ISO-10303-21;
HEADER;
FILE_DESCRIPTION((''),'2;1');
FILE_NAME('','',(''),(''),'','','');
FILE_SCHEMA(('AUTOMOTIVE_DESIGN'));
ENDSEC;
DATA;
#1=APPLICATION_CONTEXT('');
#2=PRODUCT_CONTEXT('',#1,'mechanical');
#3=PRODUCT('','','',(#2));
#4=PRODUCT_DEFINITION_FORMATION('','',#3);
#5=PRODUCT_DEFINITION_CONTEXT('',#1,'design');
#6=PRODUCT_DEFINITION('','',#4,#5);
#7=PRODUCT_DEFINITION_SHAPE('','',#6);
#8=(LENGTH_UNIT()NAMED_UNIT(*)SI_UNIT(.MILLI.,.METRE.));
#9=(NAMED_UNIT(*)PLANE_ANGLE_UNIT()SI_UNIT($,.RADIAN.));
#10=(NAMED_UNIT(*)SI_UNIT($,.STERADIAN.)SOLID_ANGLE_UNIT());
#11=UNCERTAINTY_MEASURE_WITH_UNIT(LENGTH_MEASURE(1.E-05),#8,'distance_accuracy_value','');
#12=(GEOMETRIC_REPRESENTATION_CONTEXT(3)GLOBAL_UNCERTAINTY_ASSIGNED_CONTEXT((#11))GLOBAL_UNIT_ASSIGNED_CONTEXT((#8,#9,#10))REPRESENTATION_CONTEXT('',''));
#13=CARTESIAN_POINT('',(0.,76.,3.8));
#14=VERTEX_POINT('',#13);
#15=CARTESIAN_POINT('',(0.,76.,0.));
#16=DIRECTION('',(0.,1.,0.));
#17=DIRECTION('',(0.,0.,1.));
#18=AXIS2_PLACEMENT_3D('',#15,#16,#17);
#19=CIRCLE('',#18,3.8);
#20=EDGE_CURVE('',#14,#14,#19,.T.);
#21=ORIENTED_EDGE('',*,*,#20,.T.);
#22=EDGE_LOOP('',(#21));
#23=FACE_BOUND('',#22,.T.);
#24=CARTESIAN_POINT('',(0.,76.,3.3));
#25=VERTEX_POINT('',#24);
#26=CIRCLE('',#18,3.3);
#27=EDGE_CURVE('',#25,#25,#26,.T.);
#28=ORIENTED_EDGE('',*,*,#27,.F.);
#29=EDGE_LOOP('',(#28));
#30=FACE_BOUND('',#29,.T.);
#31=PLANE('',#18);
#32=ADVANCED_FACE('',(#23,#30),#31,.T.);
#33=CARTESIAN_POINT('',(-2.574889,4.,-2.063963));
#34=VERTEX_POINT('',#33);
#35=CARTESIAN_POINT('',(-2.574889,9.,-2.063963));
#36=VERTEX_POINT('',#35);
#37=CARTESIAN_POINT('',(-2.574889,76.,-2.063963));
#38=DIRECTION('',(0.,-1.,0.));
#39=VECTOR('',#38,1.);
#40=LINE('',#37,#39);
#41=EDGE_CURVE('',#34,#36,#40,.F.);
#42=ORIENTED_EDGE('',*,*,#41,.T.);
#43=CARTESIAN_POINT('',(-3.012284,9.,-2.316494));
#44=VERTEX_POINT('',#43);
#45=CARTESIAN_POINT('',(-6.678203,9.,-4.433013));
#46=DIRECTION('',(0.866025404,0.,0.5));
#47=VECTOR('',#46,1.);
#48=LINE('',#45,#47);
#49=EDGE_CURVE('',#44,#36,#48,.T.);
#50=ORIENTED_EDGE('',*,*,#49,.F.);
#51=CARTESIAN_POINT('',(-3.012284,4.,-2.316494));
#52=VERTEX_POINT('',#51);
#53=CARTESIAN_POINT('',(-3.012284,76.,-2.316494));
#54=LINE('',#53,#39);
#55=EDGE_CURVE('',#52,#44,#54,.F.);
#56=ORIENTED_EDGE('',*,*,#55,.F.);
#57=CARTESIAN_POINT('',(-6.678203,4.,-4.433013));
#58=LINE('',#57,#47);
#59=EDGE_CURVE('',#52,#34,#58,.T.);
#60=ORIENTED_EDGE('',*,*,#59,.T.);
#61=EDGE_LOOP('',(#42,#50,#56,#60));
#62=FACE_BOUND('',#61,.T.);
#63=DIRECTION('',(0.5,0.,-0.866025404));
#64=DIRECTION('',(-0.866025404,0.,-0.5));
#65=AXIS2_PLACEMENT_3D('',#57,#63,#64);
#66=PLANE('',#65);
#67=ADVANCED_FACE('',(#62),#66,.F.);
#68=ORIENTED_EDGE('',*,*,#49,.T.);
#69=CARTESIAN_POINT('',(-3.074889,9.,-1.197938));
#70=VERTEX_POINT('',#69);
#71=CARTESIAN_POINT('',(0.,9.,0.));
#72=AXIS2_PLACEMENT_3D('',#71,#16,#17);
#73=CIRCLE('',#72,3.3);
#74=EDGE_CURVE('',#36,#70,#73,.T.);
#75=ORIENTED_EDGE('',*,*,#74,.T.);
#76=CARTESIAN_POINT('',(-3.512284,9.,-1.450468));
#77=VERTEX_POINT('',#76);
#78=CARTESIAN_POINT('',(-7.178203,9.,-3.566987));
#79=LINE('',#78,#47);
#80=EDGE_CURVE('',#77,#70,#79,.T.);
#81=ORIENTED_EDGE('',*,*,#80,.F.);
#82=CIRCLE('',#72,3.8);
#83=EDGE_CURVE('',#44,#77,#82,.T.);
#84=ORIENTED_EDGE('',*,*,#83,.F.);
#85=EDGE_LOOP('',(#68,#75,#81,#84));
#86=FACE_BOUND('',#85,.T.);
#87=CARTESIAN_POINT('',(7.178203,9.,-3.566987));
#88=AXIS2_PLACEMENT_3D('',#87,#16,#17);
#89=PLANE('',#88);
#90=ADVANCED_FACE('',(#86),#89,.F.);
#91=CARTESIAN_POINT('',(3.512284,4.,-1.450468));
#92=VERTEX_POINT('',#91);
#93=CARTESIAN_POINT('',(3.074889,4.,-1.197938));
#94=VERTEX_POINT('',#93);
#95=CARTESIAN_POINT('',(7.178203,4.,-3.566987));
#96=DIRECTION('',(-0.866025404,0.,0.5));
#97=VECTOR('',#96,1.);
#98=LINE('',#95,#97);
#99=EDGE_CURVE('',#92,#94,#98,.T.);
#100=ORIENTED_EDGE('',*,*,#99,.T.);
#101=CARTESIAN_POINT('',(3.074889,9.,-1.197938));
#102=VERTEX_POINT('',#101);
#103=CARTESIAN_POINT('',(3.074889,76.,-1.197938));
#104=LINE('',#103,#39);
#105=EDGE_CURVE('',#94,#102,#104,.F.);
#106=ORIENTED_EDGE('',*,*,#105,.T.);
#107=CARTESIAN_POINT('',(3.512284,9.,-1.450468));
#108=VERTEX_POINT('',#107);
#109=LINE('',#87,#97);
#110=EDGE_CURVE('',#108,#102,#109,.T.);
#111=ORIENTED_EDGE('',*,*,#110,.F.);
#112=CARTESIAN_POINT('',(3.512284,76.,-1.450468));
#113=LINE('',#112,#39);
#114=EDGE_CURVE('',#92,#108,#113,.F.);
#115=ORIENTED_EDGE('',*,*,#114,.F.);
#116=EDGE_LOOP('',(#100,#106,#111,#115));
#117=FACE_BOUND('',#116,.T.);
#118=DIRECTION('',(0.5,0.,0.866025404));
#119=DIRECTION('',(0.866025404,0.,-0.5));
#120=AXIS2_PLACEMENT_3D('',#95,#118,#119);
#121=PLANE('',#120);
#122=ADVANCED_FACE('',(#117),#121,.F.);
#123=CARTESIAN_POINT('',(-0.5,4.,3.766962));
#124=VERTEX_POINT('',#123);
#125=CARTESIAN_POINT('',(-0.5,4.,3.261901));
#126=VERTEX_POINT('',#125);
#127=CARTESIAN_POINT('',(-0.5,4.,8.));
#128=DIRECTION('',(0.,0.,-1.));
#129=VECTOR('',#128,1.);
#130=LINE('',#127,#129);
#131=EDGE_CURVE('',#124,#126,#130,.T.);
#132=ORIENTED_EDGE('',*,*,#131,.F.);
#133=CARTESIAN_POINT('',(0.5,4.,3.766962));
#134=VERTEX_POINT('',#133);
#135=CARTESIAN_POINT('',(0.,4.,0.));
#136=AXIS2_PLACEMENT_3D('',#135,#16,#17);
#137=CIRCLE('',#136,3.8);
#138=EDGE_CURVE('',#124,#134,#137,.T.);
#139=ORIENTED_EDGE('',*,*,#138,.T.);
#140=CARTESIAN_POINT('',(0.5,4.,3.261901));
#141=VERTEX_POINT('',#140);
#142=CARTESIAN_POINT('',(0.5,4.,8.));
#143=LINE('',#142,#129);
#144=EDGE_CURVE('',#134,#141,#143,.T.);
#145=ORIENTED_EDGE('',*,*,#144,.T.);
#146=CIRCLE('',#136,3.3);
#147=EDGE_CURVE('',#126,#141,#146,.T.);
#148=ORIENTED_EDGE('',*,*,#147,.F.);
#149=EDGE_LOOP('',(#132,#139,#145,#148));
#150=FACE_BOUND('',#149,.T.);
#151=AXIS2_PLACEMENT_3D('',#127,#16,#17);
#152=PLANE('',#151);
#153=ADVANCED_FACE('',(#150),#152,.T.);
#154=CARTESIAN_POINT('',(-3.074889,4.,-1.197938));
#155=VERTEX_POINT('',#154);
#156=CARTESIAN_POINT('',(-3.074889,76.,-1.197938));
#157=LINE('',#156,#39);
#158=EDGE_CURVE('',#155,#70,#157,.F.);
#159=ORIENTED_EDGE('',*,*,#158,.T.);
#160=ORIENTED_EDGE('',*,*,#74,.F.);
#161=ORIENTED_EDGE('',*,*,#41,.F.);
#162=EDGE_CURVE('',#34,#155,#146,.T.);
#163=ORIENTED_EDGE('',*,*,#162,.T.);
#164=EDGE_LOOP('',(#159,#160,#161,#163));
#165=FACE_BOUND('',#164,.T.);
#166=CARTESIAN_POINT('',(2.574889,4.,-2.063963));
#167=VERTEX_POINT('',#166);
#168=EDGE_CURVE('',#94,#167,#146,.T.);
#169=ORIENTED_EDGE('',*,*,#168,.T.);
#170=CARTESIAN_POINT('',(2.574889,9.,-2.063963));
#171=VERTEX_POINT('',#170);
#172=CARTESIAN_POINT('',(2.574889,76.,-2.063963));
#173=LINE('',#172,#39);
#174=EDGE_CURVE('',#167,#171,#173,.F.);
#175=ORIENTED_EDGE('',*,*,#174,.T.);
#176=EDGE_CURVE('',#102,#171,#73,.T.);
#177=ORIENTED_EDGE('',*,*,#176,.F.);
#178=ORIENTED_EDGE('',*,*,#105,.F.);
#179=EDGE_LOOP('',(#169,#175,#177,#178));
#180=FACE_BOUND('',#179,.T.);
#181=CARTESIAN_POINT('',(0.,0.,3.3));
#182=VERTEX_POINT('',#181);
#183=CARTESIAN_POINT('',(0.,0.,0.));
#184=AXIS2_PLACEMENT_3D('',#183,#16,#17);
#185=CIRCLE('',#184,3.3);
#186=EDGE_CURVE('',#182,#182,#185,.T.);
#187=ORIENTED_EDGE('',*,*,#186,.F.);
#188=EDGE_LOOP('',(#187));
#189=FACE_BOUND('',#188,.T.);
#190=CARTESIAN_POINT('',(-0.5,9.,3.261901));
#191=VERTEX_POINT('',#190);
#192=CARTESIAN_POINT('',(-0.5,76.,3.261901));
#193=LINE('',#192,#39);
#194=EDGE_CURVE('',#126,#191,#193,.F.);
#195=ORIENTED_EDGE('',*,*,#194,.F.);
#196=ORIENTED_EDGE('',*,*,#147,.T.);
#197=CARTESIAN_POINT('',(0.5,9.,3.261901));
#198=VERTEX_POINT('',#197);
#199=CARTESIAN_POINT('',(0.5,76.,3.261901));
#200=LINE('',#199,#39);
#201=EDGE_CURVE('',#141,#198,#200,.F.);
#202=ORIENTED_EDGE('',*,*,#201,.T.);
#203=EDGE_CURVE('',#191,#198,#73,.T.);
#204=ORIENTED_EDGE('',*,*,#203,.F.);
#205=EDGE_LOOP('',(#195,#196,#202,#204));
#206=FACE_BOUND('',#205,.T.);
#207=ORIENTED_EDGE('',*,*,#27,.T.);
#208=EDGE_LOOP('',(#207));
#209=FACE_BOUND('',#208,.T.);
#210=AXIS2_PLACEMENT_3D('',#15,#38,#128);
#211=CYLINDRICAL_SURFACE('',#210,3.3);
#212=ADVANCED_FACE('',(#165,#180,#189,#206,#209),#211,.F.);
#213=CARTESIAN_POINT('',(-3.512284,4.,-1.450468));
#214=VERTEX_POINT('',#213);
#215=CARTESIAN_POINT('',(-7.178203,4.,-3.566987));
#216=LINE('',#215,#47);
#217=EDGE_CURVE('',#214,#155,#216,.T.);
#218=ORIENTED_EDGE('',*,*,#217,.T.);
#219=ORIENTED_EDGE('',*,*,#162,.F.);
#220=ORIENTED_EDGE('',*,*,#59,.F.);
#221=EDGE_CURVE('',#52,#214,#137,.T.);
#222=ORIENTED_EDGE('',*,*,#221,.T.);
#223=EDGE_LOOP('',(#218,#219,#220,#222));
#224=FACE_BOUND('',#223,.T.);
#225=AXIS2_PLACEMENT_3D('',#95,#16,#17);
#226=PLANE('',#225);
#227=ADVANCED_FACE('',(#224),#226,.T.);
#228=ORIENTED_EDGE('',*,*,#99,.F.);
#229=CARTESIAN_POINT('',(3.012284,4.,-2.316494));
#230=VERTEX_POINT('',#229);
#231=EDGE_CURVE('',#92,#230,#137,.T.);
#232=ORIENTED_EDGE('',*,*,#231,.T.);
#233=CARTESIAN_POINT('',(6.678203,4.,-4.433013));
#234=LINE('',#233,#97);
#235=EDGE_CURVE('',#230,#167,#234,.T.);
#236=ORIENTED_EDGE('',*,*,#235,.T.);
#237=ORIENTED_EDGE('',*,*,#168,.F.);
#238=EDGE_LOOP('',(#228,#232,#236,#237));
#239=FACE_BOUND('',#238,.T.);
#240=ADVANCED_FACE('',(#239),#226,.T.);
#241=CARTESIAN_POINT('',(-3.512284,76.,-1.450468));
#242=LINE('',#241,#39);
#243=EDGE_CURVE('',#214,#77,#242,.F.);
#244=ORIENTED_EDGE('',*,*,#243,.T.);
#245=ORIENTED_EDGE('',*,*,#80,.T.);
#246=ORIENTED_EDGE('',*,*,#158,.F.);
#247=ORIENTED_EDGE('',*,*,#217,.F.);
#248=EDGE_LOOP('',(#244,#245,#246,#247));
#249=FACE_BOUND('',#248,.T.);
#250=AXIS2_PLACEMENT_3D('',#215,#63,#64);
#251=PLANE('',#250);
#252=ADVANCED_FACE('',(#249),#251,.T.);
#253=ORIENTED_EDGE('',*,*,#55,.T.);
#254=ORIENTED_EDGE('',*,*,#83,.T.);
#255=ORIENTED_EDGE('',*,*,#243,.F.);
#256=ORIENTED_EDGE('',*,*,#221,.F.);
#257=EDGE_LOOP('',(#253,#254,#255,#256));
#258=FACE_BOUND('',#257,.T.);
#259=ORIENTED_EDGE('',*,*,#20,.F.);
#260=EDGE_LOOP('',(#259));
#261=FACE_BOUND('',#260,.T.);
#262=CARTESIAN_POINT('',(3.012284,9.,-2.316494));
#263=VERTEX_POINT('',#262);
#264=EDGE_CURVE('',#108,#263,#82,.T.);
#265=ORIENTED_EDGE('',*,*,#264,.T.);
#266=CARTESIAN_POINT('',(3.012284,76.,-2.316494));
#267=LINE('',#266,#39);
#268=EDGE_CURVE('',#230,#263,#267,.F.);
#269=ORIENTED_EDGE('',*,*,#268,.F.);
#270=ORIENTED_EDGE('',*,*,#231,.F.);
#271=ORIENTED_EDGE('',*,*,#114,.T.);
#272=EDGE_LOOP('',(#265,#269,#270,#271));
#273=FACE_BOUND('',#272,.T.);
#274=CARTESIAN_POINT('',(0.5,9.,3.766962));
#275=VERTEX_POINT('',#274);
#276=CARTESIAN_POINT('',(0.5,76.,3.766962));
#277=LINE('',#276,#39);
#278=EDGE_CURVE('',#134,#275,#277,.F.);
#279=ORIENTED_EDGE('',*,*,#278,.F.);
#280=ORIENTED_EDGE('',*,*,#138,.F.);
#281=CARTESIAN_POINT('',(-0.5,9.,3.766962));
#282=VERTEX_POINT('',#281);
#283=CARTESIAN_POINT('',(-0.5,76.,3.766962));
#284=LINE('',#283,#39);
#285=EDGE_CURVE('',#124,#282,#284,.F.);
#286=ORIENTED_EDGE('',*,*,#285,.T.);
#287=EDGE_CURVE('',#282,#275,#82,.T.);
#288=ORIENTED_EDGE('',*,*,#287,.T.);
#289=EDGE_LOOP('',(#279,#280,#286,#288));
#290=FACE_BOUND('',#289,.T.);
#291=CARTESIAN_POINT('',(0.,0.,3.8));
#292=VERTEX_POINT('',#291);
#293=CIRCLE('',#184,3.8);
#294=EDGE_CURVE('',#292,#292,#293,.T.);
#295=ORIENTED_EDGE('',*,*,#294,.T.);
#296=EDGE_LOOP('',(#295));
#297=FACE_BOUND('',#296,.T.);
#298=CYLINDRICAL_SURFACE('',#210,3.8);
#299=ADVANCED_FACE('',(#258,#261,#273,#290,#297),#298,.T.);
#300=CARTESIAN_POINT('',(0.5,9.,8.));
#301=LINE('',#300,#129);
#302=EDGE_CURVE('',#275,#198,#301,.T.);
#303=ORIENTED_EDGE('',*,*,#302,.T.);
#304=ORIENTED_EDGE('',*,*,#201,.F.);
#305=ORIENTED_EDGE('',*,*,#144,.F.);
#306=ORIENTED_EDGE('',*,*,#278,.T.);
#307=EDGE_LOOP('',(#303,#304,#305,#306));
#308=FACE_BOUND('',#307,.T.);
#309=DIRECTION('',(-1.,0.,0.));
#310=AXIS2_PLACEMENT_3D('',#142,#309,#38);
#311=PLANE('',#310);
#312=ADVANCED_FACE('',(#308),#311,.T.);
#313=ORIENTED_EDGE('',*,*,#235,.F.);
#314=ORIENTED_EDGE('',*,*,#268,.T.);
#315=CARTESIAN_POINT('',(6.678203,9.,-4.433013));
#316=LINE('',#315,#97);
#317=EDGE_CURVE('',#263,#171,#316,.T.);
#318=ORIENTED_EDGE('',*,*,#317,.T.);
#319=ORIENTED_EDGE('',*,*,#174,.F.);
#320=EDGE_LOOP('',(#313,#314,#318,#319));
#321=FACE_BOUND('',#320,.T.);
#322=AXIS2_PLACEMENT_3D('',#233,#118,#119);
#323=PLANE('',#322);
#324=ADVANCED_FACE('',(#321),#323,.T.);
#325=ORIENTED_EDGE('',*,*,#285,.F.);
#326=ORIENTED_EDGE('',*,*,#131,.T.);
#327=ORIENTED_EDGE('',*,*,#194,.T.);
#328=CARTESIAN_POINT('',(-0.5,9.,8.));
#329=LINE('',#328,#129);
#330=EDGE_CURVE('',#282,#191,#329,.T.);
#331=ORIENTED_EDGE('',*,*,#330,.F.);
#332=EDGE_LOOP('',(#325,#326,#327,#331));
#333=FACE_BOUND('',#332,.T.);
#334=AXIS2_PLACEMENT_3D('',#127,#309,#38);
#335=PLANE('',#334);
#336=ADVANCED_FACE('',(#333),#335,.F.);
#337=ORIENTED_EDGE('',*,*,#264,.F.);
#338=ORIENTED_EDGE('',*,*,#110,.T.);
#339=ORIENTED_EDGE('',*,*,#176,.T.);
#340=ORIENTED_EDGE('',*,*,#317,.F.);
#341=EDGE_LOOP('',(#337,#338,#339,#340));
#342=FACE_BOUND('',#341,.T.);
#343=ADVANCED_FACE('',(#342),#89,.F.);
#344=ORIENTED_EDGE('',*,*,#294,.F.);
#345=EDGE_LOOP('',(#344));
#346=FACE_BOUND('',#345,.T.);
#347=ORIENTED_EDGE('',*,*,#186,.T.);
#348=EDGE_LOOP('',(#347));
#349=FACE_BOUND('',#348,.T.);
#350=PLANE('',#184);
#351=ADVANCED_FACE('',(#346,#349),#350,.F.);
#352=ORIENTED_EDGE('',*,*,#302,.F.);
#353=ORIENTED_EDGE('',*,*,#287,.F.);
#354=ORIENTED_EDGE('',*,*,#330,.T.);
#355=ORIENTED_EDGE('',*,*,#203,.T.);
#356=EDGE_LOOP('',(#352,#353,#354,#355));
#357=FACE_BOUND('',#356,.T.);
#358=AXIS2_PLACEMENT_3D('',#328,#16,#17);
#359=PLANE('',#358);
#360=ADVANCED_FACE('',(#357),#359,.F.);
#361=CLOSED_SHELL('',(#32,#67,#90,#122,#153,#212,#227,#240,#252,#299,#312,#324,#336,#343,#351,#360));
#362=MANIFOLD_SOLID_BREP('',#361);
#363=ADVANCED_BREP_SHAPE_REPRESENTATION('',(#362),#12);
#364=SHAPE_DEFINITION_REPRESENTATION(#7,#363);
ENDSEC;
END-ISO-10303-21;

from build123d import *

# Parameters (mm, degrees)
SKETCH1_R           = 3.8
SKETCH1_R_2         = 3.3
BOSS_EXTRUDE2_DEPTH = 76
SKETCH2_W           = 1
SKETCH2_H           = 5
CUT_EXTRUDE4_DEPTH  = 8
CIRPATTERN1_COUNT   = 3


with BuildPart() as part:
    # Sketch1 → Boss-Extrude2 (new body)
    with BuildSketch(Plane(origin=(0, 0, 0), x_dir=(1, 0, 0), z_dir=(0, 1, 0))):
        with Locations(Location((0, 0, 0), (0, 0, 270))):
            Circle(SKETCH1_R)
        with Locations(Location((0, 0, 0), (0, 0, 270))):
            Circle(SKETCH1_R_2, mode=Mode.SUBTRACT)
    extrude(amount=BOSS_EXTRUDE2_DEPTH)

    # Sketch2 → Cut-Extrude4 (cut)
    with BuildSketch(Plane.XY):
        with Locations((0, 6.5)):
            Rectangle(SKETCH2_W, SKETCH2_H)
    cut_extrude4 = extrude(amount=CUT_EXTRUDE4_DEPTH, mode=Mode.SUBTRACT)

    # CirPattern1: Cut-Extrude4 ×3 about axis
    cirpattern1_axis = Axis((0, 0, 0), (0, 1, 0))
    for i in range(1, CIRPATTERN1_COUNT):
        add(cut_extrude4.rotate(cirpattern1_axis, i * 360 / CIRPATTERN1_COUNT), mode=Mode.SUBTRACT)


solid = part.part
